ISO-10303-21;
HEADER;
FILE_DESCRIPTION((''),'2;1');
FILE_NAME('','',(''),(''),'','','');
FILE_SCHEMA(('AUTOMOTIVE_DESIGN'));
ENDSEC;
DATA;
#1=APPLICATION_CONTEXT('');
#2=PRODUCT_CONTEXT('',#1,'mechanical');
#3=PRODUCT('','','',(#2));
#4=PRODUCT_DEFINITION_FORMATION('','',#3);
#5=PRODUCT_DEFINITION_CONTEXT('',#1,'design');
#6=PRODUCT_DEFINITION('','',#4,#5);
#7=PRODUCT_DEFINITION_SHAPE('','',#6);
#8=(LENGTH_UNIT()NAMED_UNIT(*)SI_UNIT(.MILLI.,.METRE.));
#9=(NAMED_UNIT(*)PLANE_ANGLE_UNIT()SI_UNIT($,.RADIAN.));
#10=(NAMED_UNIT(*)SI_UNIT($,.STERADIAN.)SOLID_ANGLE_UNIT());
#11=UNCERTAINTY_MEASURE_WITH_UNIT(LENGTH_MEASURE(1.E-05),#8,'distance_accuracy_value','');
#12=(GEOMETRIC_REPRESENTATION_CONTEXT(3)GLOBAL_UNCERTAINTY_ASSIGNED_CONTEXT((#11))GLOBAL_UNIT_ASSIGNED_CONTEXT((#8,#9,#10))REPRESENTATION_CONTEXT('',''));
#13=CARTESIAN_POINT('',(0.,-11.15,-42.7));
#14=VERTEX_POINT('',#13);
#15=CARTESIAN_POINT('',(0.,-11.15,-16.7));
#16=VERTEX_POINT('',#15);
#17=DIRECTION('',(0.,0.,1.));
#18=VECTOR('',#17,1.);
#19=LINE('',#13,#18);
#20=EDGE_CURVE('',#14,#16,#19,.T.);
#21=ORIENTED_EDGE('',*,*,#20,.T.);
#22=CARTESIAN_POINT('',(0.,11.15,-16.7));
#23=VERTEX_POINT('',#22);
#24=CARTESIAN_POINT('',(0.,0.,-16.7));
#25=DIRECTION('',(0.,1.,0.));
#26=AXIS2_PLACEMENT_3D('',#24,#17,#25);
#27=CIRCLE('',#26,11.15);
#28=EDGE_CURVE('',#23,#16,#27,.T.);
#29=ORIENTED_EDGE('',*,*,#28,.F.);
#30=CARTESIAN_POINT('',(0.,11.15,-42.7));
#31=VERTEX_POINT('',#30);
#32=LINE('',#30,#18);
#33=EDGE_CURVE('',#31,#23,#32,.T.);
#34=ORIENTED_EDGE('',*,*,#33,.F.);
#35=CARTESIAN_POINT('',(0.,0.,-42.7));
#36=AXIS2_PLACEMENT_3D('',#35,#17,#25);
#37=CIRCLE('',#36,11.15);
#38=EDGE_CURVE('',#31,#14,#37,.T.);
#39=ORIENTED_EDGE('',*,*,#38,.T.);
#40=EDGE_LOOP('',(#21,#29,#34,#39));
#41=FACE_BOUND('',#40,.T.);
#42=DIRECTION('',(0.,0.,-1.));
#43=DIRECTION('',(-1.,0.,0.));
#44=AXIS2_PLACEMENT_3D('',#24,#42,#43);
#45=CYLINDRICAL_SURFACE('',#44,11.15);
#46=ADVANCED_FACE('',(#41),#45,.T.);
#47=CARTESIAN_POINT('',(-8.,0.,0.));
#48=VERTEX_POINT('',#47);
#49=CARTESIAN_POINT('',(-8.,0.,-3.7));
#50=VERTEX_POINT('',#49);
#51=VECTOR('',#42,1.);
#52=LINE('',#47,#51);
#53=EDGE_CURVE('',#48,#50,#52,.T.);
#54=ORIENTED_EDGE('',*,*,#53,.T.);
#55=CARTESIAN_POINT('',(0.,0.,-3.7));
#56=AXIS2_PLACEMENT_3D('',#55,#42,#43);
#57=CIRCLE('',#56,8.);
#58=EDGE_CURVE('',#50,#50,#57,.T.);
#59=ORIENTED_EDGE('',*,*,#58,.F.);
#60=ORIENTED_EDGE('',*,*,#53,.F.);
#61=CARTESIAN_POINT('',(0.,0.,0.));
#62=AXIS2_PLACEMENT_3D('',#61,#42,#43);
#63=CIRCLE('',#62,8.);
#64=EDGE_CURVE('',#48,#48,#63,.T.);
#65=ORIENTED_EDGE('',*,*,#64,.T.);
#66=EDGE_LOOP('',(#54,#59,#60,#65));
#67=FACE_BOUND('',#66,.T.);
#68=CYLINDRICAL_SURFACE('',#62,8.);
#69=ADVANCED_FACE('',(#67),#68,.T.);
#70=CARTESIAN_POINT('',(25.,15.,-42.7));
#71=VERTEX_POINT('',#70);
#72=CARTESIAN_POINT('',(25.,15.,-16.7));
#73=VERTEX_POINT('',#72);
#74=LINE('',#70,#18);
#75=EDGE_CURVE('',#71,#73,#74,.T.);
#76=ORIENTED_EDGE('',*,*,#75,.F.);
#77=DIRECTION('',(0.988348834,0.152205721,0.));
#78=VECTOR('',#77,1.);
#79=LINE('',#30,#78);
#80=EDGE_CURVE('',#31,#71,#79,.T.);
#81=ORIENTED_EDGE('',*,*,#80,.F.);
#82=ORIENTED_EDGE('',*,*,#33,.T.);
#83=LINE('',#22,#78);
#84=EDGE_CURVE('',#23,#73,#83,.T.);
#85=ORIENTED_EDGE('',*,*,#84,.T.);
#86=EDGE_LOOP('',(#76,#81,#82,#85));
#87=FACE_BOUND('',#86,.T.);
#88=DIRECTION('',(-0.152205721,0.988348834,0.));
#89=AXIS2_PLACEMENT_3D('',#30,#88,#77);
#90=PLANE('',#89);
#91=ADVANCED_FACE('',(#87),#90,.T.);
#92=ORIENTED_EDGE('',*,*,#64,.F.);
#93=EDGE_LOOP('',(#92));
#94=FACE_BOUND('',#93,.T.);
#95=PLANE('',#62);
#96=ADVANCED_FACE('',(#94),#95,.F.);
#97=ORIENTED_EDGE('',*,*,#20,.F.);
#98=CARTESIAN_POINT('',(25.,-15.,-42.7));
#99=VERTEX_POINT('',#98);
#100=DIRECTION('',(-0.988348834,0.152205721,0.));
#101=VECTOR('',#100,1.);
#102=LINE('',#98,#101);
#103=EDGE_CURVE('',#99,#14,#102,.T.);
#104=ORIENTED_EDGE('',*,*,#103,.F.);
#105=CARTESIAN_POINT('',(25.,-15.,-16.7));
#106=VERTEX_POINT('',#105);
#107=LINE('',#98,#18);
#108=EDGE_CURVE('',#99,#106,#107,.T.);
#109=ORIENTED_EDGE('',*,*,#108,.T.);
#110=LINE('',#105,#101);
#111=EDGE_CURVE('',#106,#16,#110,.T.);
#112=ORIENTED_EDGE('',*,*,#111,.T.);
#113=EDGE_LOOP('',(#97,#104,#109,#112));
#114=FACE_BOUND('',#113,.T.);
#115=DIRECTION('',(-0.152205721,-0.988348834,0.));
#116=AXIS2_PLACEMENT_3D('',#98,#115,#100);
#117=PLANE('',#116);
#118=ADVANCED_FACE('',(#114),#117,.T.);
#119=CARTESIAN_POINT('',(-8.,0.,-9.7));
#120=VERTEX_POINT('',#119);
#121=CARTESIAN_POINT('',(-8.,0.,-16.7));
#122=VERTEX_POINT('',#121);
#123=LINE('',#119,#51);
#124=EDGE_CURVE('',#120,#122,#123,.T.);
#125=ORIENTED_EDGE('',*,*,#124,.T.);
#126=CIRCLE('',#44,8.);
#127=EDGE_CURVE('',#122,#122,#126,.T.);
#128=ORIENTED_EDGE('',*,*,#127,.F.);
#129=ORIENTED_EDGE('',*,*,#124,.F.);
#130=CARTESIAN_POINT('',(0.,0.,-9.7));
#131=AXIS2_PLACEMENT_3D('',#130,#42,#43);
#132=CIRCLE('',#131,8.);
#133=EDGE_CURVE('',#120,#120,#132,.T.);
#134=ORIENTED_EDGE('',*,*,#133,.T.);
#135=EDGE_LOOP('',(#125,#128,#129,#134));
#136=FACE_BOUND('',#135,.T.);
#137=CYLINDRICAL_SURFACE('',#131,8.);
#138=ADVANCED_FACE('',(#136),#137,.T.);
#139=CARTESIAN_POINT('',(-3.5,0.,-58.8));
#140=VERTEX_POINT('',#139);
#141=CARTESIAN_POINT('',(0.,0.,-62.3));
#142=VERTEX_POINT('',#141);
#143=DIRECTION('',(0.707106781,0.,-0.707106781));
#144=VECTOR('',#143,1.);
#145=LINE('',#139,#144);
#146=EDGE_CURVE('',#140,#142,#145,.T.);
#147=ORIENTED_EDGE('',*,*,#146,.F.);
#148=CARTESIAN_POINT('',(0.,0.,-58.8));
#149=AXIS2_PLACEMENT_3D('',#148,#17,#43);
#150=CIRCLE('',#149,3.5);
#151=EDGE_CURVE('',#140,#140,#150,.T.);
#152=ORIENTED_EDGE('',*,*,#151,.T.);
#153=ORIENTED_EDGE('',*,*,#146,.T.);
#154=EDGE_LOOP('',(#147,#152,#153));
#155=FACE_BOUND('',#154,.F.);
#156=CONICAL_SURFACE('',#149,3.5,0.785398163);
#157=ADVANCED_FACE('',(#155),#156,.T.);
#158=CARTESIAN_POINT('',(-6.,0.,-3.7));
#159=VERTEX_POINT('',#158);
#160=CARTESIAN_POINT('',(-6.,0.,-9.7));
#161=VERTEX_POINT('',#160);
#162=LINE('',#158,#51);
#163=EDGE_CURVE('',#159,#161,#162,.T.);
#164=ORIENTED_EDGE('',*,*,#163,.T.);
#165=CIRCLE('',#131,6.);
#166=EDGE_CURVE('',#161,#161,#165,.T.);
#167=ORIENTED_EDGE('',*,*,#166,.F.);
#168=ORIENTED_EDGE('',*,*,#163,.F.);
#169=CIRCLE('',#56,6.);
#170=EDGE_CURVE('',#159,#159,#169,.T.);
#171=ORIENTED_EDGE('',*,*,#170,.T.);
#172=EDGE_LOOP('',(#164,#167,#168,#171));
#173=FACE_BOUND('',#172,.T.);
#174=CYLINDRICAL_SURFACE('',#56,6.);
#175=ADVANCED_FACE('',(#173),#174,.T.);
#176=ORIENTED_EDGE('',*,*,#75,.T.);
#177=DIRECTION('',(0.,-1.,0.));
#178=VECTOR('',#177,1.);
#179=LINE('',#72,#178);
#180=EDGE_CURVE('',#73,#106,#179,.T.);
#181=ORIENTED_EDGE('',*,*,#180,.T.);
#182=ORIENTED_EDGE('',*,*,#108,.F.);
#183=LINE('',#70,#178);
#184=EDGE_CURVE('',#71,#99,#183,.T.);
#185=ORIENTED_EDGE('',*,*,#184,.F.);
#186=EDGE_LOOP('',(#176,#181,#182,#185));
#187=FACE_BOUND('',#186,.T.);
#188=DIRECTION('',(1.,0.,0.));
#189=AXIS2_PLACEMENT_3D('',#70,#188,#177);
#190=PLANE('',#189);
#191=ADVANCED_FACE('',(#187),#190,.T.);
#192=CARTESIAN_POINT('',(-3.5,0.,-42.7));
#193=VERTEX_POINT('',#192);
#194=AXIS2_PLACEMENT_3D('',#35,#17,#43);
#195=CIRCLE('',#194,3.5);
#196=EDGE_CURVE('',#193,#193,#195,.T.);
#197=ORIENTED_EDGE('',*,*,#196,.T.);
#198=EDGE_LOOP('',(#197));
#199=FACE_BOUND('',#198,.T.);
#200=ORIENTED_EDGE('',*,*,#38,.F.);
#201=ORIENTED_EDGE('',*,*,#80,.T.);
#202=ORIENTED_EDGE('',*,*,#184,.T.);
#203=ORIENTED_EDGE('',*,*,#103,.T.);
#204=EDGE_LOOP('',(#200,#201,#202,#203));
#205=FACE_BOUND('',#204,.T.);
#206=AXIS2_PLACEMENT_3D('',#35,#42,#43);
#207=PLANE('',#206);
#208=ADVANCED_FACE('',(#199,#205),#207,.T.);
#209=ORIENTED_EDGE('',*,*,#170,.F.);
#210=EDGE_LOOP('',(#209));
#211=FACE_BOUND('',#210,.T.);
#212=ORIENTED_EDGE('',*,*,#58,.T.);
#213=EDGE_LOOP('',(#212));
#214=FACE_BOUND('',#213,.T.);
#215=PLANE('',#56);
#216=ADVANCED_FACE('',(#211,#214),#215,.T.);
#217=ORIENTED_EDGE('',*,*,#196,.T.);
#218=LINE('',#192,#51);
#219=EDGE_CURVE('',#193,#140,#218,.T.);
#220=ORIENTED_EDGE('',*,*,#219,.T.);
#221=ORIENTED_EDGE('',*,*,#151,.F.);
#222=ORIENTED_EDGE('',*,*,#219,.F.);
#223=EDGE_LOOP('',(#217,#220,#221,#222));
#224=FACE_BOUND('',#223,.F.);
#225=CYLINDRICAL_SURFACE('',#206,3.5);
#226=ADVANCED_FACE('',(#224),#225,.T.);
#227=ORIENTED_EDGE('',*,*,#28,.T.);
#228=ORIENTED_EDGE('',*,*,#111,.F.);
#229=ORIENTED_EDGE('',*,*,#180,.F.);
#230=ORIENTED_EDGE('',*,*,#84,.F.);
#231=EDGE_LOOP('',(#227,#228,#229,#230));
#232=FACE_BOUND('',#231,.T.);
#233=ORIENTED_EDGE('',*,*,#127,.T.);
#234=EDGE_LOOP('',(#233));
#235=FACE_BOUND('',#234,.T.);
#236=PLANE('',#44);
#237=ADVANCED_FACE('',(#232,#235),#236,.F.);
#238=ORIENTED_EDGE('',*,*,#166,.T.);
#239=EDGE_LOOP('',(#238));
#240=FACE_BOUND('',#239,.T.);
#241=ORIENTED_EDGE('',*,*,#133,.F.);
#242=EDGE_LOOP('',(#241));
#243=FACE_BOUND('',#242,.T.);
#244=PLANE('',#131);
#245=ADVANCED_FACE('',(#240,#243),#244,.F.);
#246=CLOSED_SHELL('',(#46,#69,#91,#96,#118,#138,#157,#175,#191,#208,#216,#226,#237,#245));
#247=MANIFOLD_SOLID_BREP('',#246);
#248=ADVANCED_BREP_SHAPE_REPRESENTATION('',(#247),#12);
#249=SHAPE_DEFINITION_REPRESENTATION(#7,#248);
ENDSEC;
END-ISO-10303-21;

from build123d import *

# Parameters (mm, degrees)
F5_DEPTH = 26


with BuildPart() as f1:
    # F0 (on Front) → F1 (revolve)
    with BuildSketch(Plane.XZ):
        Polygon((0, 0), (-8, 0), (-8, -3.7), (-6, -3.7), (-6, -9.7), (-8, -9.7), (-8, -12.7), (-8, -16.7), (-11.15, -16.7), (-11.15, -42.7), (0, -42.7), align=None)
    revolve(axis=Axis((0, 0, -21.35), (0, 0, -1)))

    # F2 (on Front) → F3 (revolve)
    with BuildSketch(Plane.XZ):
        Polygon((0, -62.3), (0, -42.7), (-3.5, -42.7), (-3.5, -58.8), align=None)
    revolve(axis=Axis((0, 0, -52.5), (0, 0, 1)))

    # F4 (on face) → F5 (join, through all)
    with BuildSketch(Plane(origin=(0, 0, -42.7), x_dir=(1, 0, 0), z_dir=(0, 0, -1))):
        with BuildLine():
            ThreePointArc((0, 11.15), (11.15, 0), (0, -11.15))
            Line((0, -11.15), (25, -15))
            Line((25, -15), (25, 15))
            Line((25, 15), (0, 11.15))
        make_face()
    extrude(amount=-F5_DEPTH)


solid = f1.part
